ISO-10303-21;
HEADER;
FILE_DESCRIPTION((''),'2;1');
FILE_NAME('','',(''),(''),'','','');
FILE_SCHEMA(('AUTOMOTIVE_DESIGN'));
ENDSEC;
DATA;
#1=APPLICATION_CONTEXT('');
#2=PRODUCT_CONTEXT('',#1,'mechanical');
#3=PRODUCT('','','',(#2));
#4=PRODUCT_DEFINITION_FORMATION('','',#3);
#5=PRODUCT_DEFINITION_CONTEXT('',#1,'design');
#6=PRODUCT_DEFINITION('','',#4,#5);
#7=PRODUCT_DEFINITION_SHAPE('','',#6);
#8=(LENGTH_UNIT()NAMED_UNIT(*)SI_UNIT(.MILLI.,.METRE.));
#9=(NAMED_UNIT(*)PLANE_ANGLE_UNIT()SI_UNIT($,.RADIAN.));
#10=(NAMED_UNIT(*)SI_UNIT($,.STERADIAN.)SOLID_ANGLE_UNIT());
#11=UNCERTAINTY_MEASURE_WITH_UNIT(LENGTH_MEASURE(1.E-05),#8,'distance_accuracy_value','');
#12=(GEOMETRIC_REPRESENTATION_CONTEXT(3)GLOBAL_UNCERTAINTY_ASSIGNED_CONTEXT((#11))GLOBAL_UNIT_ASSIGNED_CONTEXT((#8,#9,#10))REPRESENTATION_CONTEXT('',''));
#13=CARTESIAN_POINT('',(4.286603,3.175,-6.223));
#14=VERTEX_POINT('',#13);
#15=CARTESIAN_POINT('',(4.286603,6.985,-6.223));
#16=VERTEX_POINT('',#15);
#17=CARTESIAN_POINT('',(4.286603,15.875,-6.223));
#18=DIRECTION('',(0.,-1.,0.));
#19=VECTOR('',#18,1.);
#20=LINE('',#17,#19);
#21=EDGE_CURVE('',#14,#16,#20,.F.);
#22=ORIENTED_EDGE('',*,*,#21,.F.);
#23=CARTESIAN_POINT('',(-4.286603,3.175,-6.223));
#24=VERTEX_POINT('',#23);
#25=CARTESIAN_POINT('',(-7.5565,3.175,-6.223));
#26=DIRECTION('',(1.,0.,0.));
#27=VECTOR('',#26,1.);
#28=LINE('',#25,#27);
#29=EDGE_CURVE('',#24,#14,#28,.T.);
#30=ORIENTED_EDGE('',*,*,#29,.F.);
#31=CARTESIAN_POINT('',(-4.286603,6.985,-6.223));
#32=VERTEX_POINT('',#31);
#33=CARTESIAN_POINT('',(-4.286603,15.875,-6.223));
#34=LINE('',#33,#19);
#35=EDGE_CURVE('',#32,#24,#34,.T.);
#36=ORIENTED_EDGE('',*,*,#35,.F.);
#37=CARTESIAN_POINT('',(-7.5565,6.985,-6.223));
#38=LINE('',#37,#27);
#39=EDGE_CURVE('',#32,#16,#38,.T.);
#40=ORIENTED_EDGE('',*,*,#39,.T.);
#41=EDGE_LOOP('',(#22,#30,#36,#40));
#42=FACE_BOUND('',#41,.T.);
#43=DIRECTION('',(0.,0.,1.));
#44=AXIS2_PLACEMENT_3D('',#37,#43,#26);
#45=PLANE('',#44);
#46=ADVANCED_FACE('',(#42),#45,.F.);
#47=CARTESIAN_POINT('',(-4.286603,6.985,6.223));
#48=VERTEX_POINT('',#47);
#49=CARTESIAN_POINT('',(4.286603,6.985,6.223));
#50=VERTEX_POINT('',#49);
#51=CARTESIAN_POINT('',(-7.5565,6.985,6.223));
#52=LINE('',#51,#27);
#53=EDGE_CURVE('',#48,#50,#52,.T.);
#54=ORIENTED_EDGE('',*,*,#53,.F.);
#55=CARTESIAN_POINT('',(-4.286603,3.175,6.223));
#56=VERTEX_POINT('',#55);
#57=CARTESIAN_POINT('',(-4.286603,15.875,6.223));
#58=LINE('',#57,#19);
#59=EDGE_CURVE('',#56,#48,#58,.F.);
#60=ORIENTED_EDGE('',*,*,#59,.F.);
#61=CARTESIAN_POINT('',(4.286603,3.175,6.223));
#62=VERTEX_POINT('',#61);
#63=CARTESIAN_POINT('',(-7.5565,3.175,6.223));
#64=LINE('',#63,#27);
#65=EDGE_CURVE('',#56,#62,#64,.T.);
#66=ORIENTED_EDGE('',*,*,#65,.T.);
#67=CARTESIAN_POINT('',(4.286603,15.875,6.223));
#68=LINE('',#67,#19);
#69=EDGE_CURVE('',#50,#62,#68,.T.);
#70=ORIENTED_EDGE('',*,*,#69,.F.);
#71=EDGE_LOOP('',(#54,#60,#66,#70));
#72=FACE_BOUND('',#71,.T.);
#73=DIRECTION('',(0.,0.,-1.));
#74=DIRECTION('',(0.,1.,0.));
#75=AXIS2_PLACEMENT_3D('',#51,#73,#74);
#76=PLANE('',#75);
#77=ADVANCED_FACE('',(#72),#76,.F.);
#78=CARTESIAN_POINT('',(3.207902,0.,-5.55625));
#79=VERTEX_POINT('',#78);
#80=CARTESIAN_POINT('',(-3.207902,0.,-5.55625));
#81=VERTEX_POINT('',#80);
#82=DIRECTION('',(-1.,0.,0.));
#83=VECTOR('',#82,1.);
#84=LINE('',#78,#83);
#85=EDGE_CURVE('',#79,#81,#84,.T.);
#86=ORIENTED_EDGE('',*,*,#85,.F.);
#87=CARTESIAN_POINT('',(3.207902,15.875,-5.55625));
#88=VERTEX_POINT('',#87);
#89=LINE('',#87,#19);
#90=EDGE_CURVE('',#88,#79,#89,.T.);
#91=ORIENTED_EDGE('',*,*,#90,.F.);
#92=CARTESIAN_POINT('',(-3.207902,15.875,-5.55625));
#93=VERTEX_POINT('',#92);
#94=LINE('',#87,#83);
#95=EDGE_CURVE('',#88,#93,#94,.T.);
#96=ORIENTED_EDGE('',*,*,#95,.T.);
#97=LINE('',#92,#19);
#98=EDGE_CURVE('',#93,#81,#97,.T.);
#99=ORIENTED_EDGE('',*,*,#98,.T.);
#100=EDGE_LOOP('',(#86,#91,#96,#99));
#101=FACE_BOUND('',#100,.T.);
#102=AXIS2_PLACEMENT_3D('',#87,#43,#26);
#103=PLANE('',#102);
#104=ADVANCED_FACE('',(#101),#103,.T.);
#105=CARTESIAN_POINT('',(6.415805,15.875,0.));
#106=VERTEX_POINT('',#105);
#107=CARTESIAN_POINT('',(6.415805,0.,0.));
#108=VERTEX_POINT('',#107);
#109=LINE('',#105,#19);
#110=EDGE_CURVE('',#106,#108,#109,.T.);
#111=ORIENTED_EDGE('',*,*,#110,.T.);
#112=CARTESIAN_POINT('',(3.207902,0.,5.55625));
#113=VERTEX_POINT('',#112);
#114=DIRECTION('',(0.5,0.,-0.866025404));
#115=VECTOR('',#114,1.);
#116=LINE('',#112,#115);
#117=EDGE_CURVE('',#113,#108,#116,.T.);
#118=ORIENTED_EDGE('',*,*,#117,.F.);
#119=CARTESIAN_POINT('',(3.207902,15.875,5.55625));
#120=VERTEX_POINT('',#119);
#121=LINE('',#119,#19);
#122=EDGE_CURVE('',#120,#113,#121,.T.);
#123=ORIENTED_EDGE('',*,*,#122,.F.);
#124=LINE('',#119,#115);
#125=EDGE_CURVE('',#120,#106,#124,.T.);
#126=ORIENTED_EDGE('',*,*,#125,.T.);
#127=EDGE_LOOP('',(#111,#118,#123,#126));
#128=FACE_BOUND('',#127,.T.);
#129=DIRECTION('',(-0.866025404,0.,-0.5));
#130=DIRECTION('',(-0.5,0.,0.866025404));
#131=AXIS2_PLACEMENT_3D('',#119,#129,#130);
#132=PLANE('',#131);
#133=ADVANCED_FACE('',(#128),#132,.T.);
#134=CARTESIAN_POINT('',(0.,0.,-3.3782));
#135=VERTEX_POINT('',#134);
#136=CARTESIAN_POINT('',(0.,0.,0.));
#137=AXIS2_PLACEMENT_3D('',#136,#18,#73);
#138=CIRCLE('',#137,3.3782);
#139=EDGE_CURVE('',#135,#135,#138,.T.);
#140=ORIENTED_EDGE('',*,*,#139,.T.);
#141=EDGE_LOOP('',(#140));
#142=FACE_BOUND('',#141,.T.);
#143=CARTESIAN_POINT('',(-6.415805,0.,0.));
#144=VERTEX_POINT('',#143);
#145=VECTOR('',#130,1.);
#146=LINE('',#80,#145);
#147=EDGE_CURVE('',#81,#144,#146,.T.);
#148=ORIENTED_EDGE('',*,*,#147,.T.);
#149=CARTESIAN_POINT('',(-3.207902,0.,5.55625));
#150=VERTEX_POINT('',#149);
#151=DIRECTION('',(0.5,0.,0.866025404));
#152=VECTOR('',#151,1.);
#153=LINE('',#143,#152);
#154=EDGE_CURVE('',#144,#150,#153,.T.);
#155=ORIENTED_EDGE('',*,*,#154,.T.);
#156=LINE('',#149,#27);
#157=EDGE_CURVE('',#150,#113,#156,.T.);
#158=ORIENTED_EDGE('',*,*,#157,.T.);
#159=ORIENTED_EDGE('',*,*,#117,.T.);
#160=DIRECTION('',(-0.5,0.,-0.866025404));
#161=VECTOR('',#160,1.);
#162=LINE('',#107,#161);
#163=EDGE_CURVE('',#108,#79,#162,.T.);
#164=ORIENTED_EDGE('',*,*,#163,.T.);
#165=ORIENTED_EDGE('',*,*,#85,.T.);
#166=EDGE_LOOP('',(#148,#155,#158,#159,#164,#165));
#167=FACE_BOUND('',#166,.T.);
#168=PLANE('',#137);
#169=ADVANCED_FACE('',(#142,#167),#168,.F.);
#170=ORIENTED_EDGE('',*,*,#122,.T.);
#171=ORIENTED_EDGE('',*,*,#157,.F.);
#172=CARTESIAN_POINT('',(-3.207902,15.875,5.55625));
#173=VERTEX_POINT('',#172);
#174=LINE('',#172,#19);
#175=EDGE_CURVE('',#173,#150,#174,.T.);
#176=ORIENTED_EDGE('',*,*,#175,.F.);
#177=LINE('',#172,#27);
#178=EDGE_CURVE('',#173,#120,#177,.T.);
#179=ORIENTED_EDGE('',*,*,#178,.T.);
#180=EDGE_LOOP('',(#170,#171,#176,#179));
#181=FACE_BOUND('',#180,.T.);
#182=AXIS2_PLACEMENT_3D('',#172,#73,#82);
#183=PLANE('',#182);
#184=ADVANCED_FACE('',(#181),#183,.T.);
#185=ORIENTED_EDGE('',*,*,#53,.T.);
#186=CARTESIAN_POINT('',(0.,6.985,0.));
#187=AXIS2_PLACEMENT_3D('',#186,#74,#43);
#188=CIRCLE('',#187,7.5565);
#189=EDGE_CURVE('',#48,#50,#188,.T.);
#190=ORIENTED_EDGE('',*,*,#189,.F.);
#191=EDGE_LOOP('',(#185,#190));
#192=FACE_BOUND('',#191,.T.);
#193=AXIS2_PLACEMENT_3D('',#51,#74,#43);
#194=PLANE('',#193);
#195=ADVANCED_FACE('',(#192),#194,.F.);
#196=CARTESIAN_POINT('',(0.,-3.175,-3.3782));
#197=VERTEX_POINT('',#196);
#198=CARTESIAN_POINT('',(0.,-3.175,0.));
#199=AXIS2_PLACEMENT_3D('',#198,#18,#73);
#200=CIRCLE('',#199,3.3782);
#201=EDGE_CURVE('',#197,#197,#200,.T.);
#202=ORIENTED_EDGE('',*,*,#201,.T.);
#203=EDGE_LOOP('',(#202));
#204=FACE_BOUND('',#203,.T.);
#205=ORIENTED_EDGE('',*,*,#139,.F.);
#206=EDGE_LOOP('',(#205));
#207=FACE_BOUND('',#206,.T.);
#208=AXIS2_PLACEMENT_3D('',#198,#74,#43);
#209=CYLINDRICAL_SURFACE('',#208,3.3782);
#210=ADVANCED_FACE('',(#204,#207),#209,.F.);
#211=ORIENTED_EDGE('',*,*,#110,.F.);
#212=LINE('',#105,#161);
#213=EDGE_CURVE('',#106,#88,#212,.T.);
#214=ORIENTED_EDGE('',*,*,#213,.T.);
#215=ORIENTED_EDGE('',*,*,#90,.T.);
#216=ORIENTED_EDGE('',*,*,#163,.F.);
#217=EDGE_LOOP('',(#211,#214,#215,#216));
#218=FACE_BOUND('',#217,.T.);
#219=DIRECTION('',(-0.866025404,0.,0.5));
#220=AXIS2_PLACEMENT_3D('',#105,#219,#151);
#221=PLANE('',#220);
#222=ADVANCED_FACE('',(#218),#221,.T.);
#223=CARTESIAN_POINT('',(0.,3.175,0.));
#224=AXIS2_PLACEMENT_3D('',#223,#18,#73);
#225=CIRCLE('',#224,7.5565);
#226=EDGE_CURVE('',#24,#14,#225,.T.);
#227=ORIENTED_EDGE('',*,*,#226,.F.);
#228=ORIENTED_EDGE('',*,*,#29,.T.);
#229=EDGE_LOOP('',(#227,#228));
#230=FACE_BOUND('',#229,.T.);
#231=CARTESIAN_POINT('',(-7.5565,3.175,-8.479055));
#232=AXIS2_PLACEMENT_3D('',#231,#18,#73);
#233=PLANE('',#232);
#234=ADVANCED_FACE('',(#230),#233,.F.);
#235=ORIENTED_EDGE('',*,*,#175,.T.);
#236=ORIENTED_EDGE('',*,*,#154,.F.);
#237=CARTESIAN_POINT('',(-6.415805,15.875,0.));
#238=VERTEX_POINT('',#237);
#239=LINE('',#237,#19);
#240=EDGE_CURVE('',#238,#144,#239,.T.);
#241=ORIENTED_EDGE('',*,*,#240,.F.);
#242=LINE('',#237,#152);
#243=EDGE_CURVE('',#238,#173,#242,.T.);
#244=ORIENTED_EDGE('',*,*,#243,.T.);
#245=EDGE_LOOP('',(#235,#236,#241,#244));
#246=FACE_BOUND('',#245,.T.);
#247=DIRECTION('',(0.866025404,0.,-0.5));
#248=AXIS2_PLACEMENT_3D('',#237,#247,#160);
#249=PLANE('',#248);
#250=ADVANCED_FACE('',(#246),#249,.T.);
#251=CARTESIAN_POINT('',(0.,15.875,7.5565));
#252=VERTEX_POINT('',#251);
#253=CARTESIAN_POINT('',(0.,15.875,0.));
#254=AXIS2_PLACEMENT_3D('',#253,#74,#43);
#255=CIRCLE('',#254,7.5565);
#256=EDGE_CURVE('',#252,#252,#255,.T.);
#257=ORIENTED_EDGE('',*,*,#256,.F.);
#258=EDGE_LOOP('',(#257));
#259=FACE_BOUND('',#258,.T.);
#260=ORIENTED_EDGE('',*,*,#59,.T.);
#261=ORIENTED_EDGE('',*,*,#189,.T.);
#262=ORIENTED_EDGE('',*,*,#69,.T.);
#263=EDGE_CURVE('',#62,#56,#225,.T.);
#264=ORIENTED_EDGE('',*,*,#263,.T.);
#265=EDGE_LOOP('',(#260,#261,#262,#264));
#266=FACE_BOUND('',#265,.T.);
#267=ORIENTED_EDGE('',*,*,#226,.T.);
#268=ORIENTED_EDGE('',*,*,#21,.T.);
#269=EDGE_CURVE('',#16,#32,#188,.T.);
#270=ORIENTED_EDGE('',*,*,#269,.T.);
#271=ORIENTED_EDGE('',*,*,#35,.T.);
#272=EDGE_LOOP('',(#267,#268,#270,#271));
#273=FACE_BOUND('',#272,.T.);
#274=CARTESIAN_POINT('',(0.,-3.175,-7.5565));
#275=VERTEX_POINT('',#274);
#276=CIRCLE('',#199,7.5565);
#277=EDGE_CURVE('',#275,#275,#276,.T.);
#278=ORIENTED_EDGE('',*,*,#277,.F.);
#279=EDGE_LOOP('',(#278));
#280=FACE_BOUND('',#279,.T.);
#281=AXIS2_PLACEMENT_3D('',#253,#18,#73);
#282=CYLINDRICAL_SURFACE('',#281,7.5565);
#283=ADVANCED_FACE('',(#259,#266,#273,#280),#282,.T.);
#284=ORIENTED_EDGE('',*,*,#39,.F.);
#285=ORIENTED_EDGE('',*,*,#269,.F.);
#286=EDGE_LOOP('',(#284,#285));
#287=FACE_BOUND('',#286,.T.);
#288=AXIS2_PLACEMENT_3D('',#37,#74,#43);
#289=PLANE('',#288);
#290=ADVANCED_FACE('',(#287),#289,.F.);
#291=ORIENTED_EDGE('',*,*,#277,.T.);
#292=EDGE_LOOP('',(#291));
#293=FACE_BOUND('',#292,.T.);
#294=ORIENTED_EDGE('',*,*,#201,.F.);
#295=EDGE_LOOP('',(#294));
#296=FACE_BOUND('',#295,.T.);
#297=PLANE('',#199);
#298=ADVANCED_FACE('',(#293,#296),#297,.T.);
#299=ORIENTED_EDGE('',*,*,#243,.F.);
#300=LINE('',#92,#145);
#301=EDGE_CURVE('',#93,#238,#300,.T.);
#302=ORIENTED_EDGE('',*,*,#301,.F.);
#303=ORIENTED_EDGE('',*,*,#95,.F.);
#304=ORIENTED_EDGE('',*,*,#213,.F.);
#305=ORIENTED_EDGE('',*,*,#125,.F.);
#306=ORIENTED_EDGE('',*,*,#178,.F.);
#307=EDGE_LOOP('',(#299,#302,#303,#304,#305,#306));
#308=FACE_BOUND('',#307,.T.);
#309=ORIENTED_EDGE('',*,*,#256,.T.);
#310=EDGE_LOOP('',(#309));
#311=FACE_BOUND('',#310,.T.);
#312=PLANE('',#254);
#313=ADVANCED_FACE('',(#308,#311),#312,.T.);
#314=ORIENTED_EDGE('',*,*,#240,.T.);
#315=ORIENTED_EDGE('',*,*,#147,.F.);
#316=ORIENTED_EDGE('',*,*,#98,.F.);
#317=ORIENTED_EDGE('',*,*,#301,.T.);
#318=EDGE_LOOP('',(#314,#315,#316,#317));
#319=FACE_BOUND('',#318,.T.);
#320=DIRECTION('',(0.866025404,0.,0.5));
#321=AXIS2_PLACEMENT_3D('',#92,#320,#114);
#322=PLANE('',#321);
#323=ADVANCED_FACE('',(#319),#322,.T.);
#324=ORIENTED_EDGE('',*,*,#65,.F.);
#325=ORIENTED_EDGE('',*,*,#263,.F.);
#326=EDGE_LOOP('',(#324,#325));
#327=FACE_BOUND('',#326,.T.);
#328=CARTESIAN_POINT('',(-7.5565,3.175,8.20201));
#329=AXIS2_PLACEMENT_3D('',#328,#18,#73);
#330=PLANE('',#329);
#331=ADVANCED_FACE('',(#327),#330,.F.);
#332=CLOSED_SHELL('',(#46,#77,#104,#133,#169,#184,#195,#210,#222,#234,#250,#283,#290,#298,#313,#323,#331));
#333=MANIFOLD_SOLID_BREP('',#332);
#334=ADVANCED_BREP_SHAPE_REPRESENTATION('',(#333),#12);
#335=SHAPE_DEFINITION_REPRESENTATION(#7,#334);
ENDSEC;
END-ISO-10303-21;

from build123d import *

# Parameters (mm, degrees)
SKETCH1_R               = 7.5565
BOSS_EXTRUDE1_DEPTH     = 15.875
BOSS_EXTRUDE2_START     = 3.175
SKETCH2_R               = 7.5565
SKETCH2_R_2             = 3.3782
BOSS_EXTRUDE2_DEPTH     = 3.175
CUT_EXTRUDE1_DEPTH      = 20.136797263
CUT_EXTRUDE1_DEPTH_BACK = 20.136797263
SKETCH3_W               = 1.979009817
SKETCH3_H               = 3.81
SKETCH3_W_2             = 2.256055482


with BuildPart() as part:
    # Sketch1 → Boss-Extrude1 (new body)
    with BuildSketch(Plane(origin=(0, 0, 0), x_dir=(1, 0, 0), z_dir=(0, 1, 0))):
        with Locations(Location((0, 0, 0), (0, 0, 270))):
            Circle(SKETCH1_R)
        Polygon((-3.207902433, 5.55625), (-6.415804866, 0), (-3.207902433, -5.55625), (3.207902433, -5.55625), (6.415804866, 0), (3.207902433, 5.55625), align=None, mode=Mode.SUBTRACT)
    extrude(amount=BOSS_EXTRUDE1_DEPTH)

    # Sketch2 → Boss-Extrude2 (add)
    with BuildSketch(Plane.XZ.offset(BOSS_EXTRUDE2_START)):
        with Locations(Location((0, 0, 0), (0, 0, 270))):
            Circle(SKETCH2_R)
        with Locations(Location((0, 0, 0), (0, 0, 270))):
            Circle(SKETCH2_R_2, mode=Mode.SUBTRACT)
    extrude(amount=-BOSS_EXTRUDE2_DEPTH)

    # Sketch3 → Cut-Extrude1 (cut, two sides: drawn at the far end of the back side and taken through both)
    with BuildSketch(Plane(origin=(0, 0, 0), x_dir=(0, 0, -1), z_dir=(1, 0, 0)).offset(-CUT_EXTRUDE1_DEPTH_BACK)):
        with Locations((-7.212504909, 5.08)):
            Rectangle(SKETCH3_W, SKETCH3_H)
        with Locations((7.351027741, 5.08)):
            Rectangle(SKETCH3_W_2, SKETCH3_H)
    extrude(amount=CUT_EXTRUDE1_DEPTH + CUT_EXTRUDE1_DEPTH_BACK, mode=Mode.SUBTRACT)


solid = part.part
